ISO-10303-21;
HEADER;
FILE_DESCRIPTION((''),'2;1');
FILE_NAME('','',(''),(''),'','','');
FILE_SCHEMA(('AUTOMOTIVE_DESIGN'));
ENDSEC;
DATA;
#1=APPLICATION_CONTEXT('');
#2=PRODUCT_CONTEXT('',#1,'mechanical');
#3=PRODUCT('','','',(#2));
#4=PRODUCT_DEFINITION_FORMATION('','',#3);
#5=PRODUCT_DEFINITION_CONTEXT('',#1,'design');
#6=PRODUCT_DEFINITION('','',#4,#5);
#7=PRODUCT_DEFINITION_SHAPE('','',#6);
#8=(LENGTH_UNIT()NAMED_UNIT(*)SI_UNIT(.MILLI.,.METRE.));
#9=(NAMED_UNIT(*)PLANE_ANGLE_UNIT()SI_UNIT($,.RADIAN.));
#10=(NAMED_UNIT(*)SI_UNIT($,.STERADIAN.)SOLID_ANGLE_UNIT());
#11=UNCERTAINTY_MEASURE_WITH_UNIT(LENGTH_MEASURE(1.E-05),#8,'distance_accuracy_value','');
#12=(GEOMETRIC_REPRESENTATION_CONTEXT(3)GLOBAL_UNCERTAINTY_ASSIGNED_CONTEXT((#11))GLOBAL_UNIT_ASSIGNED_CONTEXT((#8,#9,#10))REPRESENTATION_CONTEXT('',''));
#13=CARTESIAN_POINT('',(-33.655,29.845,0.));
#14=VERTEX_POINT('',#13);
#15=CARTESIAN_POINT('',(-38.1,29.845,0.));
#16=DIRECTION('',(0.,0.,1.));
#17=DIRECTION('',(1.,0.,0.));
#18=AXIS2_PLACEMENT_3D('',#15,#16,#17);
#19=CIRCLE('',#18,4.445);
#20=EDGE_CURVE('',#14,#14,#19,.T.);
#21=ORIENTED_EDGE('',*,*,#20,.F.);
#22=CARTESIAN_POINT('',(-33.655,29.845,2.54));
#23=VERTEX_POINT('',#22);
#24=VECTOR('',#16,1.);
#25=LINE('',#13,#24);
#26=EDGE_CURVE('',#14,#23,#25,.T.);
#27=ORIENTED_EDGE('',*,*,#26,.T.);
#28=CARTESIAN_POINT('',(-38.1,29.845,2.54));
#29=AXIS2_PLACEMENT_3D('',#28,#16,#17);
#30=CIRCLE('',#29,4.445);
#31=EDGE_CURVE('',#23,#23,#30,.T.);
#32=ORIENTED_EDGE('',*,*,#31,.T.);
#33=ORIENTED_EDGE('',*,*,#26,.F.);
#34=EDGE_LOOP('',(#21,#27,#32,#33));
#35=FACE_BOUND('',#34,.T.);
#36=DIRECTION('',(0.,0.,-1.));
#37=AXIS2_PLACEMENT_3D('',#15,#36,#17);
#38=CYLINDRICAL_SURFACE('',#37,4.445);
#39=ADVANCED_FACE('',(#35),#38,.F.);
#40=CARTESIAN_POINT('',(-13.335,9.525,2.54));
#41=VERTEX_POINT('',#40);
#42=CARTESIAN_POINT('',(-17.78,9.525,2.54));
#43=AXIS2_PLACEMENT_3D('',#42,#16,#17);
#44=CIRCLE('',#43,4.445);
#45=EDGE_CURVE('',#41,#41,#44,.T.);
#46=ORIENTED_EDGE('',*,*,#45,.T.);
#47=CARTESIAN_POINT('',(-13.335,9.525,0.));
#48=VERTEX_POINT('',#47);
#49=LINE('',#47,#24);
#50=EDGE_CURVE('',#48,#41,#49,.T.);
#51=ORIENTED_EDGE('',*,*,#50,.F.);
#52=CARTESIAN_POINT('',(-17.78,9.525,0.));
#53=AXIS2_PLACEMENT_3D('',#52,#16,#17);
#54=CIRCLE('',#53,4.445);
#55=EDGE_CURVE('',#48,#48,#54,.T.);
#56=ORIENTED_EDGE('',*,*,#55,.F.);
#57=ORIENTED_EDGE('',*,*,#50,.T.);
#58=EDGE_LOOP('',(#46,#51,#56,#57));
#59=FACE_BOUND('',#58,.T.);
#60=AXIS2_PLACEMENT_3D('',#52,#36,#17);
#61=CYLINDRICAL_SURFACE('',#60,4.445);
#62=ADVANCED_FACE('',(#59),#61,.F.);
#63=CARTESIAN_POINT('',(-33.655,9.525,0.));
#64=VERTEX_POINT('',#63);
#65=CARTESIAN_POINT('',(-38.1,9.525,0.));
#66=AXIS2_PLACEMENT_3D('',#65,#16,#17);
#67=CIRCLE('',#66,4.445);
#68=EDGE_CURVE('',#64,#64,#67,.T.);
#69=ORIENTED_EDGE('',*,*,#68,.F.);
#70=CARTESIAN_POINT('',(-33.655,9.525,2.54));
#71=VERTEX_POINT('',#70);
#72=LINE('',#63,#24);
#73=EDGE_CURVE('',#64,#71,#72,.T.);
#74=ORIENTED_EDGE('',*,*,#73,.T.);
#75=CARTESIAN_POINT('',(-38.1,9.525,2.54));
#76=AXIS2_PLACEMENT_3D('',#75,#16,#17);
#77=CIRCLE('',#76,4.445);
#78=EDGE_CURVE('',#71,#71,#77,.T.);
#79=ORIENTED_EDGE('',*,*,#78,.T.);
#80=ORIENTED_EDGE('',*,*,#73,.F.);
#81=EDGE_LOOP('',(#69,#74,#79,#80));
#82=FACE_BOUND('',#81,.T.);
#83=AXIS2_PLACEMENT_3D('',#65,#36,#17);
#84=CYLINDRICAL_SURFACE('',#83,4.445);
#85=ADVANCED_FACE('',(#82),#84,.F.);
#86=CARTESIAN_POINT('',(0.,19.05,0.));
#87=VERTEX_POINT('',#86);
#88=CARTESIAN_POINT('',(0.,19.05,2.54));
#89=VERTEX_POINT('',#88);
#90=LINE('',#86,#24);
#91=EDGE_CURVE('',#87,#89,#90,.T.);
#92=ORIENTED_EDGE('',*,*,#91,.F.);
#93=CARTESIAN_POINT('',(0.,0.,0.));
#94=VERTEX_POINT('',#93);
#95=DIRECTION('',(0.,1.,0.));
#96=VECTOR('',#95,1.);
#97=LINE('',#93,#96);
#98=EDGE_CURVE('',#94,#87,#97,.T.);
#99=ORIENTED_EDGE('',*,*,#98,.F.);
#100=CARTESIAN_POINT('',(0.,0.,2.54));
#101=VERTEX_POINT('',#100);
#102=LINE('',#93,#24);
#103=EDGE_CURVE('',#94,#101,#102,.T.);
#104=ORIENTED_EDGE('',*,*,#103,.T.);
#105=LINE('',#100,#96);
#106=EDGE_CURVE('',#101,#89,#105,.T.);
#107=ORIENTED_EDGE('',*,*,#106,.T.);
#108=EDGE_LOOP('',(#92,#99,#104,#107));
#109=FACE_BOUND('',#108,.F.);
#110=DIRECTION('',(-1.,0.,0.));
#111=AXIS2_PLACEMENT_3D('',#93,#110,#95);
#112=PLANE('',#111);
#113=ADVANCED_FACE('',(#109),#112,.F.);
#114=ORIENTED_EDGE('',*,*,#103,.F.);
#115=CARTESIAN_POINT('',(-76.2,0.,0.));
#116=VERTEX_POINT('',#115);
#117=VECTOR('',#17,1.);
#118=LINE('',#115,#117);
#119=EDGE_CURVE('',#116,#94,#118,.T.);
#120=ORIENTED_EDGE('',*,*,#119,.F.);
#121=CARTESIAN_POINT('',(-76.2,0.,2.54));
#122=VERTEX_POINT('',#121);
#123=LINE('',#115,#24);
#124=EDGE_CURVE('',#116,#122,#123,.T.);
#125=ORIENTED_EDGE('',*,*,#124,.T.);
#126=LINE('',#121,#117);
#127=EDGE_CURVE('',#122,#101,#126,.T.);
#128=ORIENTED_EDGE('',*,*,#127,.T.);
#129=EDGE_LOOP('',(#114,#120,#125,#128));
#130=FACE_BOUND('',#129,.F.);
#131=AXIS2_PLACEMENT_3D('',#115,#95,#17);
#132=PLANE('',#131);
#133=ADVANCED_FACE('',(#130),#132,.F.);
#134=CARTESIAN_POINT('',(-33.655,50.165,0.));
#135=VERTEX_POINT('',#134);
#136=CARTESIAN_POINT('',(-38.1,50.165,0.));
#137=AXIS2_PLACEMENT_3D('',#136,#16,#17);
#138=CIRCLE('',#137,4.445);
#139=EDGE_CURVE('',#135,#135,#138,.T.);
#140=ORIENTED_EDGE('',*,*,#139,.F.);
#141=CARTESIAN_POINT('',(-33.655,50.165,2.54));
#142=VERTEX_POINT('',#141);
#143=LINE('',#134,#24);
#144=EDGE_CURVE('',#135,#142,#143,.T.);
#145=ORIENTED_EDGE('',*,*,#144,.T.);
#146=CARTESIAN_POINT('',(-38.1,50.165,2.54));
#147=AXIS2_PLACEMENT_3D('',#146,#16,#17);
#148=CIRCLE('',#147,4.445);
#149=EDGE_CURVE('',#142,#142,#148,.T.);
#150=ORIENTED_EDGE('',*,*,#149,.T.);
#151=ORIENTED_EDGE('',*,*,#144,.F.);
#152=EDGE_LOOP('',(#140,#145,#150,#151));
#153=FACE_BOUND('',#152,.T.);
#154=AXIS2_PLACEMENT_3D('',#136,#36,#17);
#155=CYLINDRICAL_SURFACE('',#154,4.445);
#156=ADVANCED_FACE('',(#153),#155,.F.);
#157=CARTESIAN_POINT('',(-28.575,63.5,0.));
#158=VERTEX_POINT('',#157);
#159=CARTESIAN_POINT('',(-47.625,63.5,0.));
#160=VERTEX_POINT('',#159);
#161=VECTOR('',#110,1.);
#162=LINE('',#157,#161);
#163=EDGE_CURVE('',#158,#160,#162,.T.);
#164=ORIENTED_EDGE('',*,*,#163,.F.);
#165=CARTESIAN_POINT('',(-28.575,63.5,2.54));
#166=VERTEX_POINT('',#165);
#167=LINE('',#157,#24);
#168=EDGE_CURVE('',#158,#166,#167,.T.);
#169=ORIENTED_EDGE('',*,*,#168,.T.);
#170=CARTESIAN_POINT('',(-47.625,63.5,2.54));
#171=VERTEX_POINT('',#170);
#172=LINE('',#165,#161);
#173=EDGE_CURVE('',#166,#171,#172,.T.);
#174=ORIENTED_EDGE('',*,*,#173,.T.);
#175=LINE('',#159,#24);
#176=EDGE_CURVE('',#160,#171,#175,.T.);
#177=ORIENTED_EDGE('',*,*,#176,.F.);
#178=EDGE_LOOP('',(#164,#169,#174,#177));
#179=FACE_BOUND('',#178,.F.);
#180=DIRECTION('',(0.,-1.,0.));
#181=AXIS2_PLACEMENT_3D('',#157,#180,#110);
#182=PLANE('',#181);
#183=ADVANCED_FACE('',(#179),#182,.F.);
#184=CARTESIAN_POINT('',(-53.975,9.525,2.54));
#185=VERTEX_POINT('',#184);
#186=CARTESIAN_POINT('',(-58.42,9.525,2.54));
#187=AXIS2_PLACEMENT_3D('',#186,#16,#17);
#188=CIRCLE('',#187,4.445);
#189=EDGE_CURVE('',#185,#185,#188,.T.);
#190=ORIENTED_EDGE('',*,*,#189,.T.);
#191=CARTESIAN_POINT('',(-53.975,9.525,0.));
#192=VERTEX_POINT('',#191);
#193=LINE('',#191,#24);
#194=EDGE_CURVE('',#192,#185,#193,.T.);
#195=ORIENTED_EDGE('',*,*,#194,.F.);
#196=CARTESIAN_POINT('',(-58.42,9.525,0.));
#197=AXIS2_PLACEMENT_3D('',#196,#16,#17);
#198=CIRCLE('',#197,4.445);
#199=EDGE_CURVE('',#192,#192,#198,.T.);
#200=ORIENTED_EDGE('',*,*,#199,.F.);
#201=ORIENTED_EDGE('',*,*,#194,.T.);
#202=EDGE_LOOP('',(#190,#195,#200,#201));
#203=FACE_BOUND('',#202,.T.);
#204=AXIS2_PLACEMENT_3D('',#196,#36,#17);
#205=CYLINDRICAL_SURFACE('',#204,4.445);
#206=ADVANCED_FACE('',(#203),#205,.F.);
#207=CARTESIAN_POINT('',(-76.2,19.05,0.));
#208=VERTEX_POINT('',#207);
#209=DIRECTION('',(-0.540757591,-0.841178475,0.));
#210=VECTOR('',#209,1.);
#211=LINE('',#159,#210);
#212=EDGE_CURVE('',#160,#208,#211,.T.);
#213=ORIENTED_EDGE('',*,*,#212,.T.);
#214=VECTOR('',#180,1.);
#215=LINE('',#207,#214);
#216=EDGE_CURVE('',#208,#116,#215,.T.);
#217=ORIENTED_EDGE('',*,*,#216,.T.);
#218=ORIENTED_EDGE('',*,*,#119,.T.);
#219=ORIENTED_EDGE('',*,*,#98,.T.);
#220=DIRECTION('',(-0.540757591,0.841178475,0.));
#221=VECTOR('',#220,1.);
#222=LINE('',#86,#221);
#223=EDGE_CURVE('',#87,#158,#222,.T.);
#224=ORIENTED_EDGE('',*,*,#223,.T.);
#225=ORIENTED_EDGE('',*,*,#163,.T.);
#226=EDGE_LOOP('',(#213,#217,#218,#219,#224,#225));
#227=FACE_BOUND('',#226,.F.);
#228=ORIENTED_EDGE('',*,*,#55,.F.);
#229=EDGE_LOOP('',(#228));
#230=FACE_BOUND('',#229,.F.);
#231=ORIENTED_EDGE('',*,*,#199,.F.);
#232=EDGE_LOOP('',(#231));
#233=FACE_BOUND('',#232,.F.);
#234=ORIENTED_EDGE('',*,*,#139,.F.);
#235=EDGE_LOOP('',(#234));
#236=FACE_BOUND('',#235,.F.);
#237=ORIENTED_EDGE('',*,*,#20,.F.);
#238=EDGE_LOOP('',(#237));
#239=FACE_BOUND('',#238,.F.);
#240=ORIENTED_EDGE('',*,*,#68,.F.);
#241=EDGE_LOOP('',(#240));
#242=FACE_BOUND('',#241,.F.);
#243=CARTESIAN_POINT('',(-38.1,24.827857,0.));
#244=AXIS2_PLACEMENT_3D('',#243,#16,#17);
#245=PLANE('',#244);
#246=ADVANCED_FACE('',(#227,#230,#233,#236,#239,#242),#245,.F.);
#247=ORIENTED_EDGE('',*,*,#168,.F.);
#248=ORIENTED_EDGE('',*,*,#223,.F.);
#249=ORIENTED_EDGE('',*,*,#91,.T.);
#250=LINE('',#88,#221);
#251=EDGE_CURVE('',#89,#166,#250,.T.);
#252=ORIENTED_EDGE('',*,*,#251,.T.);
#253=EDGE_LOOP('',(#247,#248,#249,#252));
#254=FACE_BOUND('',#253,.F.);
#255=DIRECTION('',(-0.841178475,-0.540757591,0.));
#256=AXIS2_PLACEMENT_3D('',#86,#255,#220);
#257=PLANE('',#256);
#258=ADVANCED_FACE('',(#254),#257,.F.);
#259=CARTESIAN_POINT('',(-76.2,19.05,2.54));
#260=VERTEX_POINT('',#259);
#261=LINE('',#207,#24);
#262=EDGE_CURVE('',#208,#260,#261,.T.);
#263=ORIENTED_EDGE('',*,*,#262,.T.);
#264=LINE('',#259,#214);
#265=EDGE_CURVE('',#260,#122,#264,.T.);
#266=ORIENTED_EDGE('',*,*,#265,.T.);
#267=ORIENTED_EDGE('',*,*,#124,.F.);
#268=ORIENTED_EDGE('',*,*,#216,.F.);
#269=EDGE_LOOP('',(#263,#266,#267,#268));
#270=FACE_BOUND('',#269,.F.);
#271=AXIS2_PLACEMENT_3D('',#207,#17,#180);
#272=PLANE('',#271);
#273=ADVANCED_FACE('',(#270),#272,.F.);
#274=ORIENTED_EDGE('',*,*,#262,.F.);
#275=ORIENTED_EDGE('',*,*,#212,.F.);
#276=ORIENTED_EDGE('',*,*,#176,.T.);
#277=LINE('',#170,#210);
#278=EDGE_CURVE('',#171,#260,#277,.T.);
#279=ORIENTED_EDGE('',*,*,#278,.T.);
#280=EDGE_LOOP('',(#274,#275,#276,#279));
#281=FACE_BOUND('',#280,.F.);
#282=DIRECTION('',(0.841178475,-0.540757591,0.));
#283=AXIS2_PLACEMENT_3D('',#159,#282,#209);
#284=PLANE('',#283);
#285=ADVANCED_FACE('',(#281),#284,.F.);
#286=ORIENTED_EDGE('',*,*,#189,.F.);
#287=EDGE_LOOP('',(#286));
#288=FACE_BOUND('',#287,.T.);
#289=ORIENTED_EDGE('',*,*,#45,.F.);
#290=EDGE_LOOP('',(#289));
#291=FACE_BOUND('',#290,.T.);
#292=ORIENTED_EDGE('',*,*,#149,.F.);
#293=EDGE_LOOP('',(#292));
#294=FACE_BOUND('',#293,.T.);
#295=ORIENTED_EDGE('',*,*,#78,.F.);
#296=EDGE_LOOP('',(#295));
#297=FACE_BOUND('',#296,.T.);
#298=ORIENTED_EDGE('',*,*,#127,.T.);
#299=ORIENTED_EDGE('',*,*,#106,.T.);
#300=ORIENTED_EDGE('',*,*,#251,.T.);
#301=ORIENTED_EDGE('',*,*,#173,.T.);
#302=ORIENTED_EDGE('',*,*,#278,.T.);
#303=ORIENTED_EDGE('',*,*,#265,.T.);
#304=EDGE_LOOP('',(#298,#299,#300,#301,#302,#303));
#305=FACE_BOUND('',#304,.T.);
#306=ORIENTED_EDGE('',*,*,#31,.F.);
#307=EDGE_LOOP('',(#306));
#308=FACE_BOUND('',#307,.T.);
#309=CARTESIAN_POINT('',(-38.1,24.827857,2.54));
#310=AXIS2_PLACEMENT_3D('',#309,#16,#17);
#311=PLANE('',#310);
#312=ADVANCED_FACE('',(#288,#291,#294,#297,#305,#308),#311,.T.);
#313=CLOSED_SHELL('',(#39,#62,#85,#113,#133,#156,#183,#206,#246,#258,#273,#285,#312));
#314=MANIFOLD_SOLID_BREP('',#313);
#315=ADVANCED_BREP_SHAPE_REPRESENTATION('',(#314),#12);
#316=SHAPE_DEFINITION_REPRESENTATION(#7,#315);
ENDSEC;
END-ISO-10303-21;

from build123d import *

# Parameters (mm, degrees)
F0_R     = 4.445
F1_DEPTH = 2.54


with BuildPart() as f1:
    # F0 (on Top) → F1 (new body)
    with BuildSketch(Plane.XY):
        Polygon((-76.2, 0), (0, 0), (0, 19.05), (-28.575, 63.5), (-47.625, 63.5), (-76.2, 19.05), align=None)
        with Locations((-58.42, 9.525)):
            Circle(F0_R, mode=Mode.SUBTRACT)
        with Locations((-38.1, 9.525)):
            Circle(F0_R, mode=Mode.SUBTRACT)
        with Locations((-38.1, 29.845)):
            Circle(F0_R, mode=Mode.SUBTRACT)
        with Locations((-17.78, 9.525)):
            Circle(F0_R, mode=Mode.SUBTRACT)
        with Locations((-38.1, 50.165)):
            Circle(F0_R, mode=Mode.SUBTRACT)
    extrude(amount=F1_DEPTH)


solid = f1.part
